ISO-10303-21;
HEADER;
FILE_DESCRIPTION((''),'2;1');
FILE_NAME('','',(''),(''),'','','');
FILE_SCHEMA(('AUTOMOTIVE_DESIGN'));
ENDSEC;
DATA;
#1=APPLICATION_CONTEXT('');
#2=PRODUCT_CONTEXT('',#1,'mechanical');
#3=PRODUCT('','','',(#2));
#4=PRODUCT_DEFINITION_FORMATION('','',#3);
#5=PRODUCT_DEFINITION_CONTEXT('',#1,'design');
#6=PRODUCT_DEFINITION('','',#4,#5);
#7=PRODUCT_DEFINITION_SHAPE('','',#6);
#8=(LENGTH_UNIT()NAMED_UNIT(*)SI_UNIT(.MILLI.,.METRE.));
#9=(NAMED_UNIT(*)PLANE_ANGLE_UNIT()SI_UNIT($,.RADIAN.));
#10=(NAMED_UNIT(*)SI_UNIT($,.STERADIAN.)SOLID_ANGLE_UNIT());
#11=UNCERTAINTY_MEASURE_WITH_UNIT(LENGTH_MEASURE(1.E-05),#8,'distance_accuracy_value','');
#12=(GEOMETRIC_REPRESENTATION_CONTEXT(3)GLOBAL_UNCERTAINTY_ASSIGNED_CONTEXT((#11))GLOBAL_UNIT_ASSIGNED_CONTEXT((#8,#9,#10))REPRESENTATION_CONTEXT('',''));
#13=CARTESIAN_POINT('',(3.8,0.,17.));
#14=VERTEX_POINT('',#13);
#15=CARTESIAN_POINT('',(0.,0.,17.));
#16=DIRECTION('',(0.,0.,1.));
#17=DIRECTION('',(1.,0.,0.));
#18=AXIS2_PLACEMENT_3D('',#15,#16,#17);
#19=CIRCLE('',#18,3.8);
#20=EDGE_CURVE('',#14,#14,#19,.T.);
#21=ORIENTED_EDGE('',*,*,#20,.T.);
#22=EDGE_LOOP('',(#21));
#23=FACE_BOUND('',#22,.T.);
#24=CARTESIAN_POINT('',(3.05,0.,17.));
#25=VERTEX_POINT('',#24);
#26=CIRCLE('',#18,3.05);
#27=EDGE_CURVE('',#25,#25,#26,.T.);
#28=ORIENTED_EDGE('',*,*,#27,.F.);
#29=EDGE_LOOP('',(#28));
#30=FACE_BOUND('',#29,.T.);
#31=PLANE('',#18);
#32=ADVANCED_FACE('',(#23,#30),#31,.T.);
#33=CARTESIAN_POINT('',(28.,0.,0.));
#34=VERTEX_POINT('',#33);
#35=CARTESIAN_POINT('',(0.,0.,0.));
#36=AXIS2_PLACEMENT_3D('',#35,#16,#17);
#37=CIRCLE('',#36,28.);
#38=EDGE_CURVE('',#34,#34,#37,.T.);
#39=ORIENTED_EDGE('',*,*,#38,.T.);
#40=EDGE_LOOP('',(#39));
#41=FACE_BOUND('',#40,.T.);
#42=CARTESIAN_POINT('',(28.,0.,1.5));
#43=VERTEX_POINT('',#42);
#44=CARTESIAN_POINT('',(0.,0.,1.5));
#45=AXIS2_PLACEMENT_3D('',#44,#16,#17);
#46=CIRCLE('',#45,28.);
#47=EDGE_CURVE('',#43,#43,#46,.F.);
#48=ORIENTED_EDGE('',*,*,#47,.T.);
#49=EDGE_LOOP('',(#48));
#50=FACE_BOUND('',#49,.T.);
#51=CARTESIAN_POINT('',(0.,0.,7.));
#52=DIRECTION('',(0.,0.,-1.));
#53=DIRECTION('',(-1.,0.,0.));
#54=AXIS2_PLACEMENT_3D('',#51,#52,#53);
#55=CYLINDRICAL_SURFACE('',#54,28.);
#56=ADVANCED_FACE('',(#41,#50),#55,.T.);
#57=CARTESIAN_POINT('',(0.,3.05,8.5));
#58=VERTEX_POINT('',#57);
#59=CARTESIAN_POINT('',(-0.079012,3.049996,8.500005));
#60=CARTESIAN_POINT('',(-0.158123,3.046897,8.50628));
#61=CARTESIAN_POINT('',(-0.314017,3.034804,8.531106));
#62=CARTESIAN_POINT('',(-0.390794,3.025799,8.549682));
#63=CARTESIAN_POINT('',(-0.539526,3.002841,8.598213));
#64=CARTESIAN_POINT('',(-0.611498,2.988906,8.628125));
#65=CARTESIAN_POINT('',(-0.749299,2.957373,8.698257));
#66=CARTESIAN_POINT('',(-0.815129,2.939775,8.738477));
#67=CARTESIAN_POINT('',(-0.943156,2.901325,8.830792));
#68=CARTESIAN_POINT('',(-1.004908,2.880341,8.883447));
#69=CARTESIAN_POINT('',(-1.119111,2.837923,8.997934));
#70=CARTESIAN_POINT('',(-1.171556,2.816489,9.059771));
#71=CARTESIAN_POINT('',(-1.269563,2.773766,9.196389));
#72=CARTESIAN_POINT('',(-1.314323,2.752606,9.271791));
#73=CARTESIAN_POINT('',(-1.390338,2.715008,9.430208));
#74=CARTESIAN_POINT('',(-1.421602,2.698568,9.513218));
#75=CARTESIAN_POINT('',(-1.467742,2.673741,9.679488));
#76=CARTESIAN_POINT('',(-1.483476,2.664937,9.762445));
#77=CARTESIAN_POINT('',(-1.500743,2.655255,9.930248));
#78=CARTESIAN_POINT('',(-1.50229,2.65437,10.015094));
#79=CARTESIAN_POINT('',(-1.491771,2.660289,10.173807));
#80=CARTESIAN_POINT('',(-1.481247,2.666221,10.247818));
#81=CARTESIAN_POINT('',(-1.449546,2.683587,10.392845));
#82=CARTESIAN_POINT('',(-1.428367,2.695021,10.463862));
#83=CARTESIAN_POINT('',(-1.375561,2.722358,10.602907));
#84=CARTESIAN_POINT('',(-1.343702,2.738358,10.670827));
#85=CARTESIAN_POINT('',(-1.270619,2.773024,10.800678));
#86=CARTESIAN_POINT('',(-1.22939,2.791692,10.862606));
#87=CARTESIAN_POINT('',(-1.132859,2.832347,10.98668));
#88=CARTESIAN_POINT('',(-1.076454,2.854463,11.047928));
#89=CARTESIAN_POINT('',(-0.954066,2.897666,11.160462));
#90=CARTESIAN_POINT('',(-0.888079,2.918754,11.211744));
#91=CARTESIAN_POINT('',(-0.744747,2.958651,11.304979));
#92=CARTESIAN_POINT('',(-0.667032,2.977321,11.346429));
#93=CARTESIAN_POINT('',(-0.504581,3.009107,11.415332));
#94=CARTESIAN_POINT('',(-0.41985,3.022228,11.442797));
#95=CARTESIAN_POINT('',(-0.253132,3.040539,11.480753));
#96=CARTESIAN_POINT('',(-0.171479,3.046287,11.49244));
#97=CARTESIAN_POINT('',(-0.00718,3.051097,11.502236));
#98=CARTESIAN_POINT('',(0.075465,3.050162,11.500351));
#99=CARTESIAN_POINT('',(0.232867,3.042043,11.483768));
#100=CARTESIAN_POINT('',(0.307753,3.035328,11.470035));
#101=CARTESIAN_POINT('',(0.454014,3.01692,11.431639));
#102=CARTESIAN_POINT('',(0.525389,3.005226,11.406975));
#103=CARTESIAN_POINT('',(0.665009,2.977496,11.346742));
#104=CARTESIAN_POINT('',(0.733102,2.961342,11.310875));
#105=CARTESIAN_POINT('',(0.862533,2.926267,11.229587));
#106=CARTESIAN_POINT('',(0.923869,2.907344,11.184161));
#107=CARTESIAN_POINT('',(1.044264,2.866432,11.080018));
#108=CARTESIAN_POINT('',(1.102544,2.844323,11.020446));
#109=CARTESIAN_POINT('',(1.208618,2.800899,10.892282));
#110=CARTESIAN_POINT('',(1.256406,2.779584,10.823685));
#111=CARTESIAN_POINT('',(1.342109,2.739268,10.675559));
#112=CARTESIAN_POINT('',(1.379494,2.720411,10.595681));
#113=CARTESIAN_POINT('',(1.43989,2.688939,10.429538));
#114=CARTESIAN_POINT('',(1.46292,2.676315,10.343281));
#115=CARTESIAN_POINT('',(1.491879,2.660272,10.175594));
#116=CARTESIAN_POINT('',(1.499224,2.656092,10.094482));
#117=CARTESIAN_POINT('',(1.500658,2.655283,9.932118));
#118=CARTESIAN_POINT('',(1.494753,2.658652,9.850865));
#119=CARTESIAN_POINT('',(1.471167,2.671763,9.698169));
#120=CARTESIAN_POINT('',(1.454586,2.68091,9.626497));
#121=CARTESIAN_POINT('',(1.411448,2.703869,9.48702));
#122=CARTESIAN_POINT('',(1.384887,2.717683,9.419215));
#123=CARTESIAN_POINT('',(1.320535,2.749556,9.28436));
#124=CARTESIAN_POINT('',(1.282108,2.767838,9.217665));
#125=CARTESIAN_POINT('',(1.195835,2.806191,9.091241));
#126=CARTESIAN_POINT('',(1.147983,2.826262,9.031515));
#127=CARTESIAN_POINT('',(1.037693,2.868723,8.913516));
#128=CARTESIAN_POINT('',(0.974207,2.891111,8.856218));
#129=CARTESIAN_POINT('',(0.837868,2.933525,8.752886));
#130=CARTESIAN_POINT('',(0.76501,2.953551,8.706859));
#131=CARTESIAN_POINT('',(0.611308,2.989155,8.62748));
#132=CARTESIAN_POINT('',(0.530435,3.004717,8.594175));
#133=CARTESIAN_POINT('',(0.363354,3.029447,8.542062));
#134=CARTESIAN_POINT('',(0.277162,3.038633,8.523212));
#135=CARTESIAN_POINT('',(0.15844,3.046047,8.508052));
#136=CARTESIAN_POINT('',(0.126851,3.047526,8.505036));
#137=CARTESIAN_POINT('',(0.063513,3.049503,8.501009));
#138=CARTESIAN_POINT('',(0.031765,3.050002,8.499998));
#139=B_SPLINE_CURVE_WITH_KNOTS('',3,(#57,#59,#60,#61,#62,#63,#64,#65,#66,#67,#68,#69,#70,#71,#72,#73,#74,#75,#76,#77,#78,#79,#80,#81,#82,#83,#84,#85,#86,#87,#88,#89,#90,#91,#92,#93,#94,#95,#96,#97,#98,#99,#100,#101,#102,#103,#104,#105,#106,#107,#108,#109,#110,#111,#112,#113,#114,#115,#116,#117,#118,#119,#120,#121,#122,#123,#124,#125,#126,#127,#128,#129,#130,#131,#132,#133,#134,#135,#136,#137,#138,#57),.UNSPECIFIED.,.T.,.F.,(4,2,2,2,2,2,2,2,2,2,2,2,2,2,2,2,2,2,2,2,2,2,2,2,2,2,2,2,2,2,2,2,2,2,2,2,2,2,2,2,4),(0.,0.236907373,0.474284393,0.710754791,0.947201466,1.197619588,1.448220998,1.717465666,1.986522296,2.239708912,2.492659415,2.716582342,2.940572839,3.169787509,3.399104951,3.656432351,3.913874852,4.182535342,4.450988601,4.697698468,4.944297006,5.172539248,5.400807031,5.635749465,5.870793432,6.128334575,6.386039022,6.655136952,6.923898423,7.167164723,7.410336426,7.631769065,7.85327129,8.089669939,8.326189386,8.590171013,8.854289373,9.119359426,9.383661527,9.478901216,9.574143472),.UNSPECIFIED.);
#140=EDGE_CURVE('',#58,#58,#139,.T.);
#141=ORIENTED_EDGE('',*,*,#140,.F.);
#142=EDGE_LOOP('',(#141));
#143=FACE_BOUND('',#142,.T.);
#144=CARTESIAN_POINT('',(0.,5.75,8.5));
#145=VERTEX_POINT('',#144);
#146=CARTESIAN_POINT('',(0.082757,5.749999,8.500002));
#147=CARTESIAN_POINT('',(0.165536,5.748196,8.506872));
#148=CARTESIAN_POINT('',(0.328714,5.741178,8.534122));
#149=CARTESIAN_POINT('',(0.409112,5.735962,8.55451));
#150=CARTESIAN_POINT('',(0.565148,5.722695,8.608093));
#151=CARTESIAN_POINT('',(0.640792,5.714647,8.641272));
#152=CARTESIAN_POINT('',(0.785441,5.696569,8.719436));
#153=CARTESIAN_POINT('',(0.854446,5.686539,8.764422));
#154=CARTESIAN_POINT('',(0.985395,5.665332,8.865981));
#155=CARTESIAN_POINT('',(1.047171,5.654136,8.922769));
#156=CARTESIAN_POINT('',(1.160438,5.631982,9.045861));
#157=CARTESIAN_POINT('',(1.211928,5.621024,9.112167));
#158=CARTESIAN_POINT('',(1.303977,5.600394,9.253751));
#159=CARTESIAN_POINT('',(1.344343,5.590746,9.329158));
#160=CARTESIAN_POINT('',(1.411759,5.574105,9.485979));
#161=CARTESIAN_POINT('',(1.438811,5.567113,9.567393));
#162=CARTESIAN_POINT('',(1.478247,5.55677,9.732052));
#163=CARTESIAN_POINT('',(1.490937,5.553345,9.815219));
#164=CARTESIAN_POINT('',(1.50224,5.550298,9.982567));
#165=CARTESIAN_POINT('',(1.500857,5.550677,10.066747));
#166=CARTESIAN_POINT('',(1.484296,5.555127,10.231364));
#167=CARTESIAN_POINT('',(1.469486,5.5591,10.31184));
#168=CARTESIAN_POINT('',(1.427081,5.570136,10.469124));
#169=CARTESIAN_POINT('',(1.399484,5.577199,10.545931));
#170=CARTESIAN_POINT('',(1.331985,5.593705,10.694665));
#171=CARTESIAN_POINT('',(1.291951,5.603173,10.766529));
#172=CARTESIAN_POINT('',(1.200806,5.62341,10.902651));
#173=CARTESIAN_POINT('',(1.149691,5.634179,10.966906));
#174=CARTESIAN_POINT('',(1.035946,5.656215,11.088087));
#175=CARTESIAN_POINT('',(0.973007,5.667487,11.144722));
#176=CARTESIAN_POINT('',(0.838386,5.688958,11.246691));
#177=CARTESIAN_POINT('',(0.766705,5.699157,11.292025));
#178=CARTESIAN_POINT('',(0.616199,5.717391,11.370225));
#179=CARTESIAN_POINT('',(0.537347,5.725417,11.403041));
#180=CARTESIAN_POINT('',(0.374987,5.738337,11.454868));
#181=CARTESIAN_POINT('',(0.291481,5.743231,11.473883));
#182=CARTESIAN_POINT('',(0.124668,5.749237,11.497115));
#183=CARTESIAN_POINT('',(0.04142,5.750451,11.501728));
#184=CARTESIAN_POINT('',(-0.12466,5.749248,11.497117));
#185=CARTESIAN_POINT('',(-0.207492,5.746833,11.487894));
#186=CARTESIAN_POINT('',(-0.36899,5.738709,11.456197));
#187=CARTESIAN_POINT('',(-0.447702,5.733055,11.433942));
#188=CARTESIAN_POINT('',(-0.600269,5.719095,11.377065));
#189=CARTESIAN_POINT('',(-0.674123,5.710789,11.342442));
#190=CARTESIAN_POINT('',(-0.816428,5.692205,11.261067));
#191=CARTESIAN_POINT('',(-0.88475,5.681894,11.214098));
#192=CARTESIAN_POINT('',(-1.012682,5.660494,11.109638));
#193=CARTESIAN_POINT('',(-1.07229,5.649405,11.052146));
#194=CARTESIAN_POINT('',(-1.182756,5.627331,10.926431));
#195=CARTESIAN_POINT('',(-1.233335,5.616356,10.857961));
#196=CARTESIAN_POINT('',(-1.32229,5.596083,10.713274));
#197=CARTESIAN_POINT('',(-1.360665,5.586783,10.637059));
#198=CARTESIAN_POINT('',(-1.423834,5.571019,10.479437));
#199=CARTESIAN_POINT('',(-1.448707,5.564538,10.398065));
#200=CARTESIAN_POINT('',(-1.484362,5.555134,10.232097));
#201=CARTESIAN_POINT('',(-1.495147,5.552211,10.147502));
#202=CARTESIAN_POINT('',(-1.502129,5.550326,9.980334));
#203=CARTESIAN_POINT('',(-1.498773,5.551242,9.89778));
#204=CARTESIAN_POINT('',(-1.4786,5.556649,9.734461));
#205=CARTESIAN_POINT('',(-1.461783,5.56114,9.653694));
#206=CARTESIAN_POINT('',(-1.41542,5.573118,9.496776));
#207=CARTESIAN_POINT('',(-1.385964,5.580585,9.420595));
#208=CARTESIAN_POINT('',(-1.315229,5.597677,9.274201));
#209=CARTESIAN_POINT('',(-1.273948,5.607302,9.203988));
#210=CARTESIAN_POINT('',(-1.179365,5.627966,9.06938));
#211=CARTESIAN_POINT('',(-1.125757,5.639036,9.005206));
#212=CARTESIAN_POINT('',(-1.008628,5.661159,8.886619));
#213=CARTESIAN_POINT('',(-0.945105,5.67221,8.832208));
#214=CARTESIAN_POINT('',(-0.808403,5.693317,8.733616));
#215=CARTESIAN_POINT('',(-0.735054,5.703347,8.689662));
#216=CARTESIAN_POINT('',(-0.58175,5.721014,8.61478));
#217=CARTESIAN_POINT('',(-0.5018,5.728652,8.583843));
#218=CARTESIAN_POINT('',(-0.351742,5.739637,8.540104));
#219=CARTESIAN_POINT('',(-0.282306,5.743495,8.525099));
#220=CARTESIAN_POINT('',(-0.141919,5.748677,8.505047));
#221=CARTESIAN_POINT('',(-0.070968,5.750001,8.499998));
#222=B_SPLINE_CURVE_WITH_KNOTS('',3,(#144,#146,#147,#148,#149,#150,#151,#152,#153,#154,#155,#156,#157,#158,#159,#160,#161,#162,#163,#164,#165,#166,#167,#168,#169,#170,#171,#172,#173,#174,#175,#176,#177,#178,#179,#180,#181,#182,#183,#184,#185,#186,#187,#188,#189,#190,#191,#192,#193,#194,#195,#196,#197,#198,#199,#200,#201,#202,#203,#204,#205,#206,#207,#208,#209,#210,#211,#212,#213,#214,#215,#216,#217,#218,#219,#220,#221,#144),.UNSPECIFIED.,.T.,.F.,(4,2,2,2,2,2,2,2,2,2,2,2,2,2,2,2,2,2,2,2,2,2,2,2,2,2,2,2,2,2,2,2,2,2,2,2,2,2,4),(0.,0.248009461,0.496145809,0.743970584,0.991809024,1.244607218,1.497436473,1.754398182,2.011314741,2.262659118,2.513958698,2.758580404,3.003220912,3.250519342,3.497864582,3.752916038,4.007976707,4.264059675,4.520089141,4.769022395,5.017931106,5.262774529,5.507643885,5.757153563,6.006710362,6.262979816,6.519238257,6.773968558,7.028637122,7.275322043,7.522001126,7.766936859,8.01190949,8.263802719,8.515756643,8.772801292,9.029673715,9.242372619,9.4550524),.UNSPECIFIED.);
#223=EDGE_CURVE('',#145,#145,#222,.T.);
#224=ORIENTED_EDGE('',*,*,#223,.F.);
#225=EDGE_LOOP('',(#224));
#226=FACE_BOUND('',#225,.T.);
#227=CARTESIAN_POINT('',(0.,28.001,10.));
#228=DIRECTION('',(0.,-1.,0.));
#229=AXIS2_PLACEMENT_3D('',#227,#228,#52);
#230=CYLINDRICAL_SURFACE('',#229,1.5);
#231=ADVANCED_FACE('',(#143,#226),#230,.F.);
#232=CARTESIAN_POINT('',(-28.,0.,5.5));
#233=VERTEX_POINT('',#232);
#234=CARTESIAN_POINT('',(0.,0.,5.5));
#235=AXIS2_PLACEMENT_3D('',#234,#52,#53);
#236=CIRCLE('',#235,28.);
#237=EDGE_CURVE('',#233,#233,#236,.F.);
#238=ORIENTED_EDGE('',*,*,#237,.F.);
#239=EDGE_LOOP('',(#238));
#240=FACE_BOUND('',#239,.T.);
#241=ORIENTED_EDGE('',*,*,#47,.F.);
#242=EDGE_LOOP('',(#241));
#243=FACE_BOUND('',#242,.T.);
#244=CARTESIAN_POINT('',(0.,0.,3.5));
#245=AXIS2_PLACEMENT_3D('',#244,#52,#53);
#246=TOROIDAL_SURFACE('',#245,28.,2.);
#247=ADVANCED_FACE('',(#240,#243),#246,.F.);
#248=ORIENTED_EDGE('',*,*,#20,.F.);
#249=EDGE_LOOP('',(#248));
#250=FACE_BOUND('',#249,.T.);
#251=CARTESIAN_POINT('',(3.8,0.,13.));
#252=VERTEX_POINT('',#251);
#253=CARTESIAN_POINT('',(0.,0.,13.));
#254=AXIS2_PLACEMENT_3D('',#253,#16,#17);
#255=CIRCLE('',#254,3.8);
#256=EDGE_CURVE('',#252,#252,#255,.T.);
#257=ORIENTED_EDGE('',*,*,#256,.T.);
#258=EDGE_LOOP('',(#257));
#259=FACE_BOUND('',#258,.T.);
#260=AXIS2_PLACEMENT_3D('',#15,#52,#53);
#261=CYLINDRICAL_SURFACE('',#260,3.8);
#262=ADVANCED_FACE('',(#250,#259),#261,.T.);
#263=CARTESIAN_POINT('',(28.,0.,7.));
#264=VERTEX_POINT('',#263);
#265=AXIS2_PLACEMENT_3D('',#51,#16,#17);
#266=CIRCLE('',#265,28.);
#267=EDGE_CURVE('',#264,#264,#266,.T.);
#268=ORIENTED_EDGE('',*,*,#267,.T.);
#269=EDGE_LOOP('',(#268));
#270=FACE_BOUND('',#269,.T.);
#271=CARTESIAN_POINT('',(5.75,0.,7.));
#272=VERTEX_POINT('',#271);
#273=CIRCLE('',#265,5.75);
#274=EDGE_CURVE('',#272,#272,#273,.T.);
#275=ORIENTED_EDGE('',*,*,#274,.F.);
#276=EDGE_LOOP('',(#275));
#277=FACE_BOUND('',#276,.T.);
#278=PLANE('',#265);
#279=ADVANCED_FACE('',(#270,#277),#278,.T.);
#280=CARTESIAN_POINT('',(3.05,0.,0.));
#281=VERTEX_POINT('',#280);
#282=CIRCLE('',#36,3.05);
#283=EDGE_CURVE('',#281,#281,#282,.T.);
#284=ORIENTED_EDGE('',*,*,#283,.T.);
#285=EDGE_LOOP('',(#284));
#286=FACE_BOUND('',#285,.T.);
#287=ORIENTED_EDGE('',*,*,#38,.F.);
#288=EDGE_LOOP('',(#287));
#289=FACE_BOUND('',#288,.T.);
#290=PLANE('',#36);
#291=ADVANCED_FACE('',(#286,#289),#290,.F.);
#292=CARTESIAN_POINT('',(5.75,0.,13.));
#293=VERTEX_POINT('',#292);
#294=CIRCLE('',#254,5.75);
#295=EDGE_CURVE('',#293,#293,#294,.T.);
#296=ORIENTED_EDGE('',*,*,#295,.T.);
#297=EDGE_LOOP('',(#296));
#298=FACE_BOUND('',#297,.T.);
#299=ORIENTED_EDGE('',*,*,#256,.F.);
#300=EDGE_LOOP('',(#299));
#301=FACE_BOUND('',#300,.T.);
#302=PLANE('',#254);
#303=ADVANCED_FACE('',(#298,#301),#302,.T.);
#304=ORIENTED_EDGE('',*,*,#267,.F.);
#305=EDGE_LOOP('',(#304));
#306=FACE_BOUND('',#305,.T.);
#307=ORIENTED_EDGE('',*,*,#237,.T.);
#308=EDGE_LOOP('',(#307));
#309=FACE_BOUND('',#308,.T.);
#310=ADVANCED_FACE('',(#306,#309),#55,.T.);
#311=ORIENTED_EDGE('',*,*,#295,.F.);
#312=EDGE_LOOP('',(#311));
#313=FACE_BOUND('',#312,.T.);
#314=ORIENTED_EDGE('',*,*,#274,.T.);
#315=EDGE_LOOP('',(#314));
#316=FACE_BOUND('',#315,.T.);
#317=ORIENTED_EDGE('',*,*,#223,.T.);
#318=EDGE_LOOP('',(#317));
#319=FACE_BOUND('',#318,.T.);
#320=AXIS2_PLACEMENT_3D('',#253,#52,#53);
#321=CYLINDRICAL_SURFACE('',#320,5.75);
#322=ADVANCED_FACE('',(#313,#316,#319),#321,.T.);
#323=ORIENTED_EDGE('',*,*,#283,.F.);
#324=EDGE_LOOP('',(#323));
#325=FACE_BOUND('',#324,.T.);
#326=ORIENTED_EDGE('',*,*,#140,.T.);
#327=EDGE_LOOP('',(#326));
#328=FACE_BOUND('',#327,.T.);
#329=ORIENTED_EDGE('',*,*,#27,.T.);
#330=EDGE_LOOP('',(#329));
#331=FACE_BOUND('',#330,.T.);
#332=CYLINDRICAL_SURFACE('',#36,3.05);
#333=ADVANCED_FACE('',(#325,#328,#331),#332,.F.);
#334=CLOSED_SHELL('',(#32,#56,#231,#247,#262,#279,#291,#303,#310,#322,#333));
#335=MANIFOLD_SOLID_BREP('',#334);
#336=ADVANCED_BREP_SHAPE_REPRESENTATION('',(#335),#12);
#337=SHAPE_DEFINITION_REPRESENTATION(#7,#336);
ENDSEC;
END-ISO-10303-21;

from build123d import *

# Parameters (mm, degrees)
ESQUISSE1_R             = 28
BOSS_EXTRU_1_DEPTH      = 7
ESQUISSE2_R             = 3.8
BOSS_EXTRU_2_DEPTH      = 10
ESQUISSE3_R             = 3.05
ENL_V_MAT_EXTRU_1_DEPTH = 18
ESQUISSE4_R             = 2
ESQUISSE5_R             = 5.75
ESQUISSE5_R_2           = 3.8
BOSS_EXTRU_3_DEPTH      = 6
ENL_V_MAT_EXTRU_2_REACH = 30
ESQUISSE6_R             = 1.5


with BuildPart() as part:
    # Esquisse1 → Boss.-Extru.1 (new body)
    with BuildSketch(Plane.XY):
        Circle(ESQUISSE1_R)
    extrude(amount=BOSS_EXTRU_1_DEPTH)

    # Esquisse2 → Boss.-Extru.2 (add)
    with BuildSketch(Plane.XY.offset(7)):
        Circle(ESQUISSE2_R)
    extrude(amount=BOSS_EXTRU_2_DEPTH)

    # Esquisse3 → Enlèv. mat.-Extru.1 (cut, through all)
    with BuildSketch(Plane.XY.offset(17)):
        Circle(ESQUISSE3_R)
    extrude(amount=-ENL_V_MAT_EXTRU_1_DEPTH, mode=Mode.SUBTRACT)

    # Esquisse4 → Enlèvement de matière-Révolution1 (revolve, cut)
    with BuildSketch(Plane(origin=(0, 0, 0), x_dir=(0, 0, -1), z_dir=(1, 0, 0))):
        with Locations((-3.5, 28)):
            Circle(ESQUISSE4_R)
    revolve(axis=Axis((0, 0, 0), (0, 0, 1)), mode=Mode.SUBTRACT)

    # Esquisse5 → Boss.-Extru.3 (add)
    with BuildSketch(Plane.XY.offset(7)):
        Circle(ESQUISSE5_R)
        Circle(ESQUISSE5_R_2, mode=Mode.SUBTRACT)
    extrude(amount=BOSS_EXTRU_3_DEPTH)

    # Esquisse6 → Enlèv. mat.-Extru.2 (cut, up to next)
    with BuildSketch(Plane(origin=(0, 0, 0), x_dir=(1, 0, 0), z_dir=(0, 1, 0)), mode=Mode.PRIVATE) as enl_v_mat_extru_2_sk1:
        with Locations((0, -10)):
            Circle(ESQUISSE6_R)
    enl_v_mat_extru_2_tool1 = extrude(enl_v_mat_extru_2_sk1.sketch, amount=ENL_V_MAT_EXTRU_2_REACH, mode=Mode.PRIVATE) & part.part
    add(enl_v_mat_extru_2_tool1.solids().sort_by_distance((0, 0, 10))[0], mode=Mode.SUBTRACT)


solid = part.part
